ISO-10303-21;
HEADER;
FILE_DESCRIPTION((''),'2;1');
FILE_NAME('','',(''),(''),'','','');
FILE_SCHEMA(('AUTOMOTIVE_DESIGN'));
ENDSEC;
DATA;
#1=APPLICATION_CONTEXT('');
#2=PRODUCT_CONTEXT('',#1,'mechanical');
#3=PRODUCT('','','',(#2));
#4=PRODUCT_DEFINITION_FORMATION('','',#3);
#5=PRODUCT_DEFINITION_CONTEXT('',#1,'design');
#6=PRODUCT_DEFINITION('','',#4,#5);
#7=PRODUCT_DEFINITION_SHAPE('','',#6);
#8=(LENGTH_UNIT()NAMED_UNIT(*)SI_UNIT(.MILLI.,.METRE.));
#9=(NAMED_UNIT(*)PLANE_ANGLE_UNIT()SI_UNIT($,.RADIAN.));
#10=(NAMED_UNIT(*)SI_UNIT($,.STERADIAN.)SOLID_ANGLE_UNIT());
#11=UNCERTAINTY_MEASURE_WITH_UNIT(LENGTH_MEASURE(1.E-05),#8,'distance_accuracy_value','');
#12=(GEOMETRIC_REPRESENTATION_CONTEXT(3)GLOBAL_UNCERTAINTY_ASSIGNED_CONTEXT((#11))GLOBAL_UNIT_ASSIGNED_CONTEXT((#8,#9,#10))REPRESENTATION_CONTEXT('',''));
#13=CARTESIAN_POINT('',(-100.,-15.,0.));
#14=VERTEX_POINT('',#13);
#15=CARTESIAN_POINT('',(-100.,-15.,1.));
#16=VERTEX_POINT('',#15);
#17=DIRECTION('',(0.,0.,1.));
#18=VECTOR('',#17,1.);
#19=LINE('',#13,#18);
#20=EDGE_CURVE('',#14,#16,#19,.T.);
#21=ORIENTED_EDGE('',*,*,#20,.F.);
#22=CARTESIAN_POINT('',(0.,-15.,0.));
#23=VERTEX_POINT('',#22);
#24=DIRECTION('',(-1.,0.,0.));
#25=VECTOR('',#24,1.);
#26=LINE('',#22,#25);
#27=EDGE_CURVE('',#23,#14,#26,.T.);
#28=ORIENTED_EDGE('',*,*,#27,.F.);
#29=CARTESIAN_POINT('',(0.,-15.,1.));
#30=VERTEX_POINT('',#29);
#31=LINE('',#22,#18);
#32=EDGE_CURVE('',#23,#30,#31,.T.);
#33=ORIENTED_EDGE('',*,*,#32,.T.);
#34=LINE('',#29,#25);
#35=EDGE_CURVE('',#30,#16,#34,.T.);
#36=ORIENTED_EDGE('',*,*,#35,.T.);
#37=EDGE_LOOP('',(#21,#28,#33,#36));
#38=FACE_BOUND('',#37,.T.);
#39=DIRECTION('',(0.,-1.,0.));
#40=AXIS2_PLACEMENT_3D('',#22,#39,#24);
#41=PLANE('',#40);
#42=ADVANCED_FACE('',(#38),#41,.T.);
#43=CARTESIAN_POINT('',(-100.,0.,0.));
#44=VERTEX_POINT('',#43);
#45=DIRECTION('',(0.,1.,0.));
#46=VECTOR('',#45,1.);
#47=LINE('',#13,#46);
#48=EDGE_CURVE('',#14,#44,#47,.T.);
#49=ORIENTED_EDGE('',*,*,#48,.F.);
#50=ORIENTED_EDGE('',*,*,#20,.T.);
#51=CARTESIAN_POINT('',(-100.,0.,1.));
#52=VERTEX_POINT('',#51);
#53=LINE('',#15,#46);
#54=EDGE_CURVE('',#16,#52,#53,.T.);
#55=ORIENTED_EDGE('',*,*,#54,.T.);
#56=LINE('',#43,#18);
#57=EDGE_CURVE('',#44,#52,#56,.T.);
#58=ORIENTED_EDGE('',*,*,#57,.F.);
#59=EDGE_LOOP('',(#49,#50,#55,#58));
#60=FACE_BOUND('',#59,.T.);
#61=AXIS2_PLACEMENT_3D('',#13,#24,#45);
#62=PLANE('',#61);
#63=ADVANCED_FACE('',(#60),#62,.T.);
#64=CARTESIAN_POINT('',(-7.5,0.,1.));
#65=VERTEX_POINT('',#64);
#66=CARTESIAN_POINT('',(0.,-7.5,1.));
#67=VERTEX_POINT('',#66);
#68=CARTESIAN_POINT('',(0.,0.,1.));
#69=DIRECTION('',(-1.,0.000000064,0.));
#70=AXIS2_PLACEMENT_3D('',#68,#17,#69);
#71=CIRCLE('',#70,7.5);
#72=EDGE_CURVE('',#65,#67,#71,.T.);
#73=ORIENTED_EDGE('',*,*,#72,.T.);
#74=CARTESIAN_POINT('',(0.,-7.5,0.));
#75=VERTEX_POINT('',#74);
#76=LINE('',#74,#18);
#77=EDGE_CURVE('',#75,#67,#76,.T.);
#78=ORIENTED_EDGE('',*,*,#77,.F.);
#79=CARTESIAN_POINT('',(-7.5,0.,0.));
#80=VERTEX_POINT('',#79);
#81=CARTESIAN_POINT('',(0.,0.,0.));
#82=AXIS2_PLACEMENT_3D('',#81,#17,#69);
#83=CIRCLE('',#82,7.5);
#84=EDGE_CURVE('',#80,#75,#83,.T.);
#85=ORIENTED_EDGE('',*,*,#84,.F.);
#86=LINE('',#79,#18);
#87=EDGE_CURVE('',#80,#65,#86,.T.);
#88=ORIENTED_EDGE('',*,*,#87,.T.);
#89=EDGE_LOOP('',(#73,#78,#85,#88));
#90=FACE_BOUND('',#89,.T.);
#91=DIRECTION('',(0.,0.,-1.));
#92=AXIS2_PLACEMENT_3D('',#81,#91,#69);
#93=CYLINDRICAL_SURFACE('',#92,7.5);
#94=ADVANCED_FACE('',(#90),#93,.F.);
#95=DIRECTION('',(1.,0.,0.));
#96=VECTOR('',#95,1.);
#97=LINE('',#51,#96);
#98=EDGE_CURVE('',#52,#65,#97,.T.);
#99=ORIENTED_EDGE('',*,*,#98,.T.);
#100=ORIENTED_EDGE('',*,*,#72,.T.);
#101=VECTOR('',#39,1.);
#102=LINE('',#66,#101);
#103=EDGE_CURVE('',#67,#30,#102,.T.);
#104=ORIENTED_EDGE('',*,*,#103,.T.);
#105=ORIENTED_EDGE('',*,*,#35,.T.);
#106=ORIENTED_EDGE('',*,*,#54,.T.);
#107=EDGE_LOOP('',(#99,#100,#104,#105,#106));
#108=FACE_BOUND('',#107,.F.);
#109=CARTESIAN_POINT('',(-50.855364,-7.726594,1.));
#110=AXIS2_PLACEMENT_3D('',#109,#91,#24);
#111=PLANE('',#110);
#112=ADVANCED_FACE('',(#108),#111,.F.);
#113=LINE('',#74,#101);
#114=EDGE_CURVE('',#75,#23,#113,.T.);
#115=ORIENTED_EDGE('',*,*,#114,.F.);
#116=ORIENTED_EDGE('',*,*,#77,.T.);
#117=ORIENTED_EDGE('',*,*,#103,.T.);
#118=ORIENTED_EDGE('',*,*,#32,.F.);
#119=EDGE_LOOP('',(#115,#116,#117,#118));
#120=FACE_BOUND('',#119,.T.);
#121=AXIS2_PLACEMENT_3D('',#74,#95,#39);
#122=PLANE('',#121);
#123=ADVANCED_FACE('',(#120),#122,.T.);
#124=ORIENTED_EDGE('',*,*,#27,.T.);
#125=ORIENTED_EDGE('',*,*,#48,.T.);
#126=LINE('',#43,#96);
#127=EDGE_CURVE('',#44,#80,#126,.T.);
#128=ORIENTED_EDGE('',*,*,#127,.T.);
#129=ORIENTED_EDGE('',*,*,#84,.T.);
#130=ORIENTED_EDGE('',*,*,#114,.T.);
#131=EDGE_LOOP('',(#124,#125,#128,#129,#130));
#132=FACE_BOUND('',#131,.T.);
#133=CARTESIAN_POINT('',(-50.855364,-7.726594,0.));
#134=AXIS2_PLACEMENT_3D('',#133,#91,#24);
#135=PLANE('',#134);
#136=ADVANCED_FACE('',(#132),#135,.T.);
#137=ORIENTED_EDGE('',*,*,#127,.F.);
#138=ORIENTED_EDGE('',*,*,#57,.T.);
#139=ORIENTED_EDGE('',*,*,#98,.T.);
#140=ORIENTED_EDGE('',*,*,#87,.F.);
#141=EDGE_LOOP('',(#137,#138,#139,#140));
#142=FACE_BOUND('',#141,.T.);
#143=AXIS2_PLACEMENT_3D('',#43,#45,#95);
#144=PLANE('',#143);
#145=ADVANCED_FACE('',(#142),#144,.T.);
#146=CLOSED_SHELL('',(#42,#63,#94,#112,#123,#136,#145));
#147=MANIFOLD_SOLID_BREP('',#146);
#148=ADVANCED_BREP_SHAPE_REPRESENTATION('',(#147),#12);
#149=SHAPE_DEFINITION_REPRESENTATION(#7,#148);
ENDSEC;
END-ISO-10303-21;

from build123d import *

# Parameters (mm, degrees)
PAD_DEPTH = 1


with BuildPart() as part:
    # Sketch → Pad (new body)
    with BuildSketch(Plane.XY):
        with BuildLine():
            Line((-100, 0), (-7.5, 0))
            ThreePointArc((-7.5, 0), (-5.303301, -5.303301), (0, -7.5))
            Line((0, -7.5), (0, -15))
            Line((0, -15), (-100, -15))
            Line((-100, -15), (-100, 0))
        make_face()
    extrude(amount=PAD_DEPTH)


solid = part.part
